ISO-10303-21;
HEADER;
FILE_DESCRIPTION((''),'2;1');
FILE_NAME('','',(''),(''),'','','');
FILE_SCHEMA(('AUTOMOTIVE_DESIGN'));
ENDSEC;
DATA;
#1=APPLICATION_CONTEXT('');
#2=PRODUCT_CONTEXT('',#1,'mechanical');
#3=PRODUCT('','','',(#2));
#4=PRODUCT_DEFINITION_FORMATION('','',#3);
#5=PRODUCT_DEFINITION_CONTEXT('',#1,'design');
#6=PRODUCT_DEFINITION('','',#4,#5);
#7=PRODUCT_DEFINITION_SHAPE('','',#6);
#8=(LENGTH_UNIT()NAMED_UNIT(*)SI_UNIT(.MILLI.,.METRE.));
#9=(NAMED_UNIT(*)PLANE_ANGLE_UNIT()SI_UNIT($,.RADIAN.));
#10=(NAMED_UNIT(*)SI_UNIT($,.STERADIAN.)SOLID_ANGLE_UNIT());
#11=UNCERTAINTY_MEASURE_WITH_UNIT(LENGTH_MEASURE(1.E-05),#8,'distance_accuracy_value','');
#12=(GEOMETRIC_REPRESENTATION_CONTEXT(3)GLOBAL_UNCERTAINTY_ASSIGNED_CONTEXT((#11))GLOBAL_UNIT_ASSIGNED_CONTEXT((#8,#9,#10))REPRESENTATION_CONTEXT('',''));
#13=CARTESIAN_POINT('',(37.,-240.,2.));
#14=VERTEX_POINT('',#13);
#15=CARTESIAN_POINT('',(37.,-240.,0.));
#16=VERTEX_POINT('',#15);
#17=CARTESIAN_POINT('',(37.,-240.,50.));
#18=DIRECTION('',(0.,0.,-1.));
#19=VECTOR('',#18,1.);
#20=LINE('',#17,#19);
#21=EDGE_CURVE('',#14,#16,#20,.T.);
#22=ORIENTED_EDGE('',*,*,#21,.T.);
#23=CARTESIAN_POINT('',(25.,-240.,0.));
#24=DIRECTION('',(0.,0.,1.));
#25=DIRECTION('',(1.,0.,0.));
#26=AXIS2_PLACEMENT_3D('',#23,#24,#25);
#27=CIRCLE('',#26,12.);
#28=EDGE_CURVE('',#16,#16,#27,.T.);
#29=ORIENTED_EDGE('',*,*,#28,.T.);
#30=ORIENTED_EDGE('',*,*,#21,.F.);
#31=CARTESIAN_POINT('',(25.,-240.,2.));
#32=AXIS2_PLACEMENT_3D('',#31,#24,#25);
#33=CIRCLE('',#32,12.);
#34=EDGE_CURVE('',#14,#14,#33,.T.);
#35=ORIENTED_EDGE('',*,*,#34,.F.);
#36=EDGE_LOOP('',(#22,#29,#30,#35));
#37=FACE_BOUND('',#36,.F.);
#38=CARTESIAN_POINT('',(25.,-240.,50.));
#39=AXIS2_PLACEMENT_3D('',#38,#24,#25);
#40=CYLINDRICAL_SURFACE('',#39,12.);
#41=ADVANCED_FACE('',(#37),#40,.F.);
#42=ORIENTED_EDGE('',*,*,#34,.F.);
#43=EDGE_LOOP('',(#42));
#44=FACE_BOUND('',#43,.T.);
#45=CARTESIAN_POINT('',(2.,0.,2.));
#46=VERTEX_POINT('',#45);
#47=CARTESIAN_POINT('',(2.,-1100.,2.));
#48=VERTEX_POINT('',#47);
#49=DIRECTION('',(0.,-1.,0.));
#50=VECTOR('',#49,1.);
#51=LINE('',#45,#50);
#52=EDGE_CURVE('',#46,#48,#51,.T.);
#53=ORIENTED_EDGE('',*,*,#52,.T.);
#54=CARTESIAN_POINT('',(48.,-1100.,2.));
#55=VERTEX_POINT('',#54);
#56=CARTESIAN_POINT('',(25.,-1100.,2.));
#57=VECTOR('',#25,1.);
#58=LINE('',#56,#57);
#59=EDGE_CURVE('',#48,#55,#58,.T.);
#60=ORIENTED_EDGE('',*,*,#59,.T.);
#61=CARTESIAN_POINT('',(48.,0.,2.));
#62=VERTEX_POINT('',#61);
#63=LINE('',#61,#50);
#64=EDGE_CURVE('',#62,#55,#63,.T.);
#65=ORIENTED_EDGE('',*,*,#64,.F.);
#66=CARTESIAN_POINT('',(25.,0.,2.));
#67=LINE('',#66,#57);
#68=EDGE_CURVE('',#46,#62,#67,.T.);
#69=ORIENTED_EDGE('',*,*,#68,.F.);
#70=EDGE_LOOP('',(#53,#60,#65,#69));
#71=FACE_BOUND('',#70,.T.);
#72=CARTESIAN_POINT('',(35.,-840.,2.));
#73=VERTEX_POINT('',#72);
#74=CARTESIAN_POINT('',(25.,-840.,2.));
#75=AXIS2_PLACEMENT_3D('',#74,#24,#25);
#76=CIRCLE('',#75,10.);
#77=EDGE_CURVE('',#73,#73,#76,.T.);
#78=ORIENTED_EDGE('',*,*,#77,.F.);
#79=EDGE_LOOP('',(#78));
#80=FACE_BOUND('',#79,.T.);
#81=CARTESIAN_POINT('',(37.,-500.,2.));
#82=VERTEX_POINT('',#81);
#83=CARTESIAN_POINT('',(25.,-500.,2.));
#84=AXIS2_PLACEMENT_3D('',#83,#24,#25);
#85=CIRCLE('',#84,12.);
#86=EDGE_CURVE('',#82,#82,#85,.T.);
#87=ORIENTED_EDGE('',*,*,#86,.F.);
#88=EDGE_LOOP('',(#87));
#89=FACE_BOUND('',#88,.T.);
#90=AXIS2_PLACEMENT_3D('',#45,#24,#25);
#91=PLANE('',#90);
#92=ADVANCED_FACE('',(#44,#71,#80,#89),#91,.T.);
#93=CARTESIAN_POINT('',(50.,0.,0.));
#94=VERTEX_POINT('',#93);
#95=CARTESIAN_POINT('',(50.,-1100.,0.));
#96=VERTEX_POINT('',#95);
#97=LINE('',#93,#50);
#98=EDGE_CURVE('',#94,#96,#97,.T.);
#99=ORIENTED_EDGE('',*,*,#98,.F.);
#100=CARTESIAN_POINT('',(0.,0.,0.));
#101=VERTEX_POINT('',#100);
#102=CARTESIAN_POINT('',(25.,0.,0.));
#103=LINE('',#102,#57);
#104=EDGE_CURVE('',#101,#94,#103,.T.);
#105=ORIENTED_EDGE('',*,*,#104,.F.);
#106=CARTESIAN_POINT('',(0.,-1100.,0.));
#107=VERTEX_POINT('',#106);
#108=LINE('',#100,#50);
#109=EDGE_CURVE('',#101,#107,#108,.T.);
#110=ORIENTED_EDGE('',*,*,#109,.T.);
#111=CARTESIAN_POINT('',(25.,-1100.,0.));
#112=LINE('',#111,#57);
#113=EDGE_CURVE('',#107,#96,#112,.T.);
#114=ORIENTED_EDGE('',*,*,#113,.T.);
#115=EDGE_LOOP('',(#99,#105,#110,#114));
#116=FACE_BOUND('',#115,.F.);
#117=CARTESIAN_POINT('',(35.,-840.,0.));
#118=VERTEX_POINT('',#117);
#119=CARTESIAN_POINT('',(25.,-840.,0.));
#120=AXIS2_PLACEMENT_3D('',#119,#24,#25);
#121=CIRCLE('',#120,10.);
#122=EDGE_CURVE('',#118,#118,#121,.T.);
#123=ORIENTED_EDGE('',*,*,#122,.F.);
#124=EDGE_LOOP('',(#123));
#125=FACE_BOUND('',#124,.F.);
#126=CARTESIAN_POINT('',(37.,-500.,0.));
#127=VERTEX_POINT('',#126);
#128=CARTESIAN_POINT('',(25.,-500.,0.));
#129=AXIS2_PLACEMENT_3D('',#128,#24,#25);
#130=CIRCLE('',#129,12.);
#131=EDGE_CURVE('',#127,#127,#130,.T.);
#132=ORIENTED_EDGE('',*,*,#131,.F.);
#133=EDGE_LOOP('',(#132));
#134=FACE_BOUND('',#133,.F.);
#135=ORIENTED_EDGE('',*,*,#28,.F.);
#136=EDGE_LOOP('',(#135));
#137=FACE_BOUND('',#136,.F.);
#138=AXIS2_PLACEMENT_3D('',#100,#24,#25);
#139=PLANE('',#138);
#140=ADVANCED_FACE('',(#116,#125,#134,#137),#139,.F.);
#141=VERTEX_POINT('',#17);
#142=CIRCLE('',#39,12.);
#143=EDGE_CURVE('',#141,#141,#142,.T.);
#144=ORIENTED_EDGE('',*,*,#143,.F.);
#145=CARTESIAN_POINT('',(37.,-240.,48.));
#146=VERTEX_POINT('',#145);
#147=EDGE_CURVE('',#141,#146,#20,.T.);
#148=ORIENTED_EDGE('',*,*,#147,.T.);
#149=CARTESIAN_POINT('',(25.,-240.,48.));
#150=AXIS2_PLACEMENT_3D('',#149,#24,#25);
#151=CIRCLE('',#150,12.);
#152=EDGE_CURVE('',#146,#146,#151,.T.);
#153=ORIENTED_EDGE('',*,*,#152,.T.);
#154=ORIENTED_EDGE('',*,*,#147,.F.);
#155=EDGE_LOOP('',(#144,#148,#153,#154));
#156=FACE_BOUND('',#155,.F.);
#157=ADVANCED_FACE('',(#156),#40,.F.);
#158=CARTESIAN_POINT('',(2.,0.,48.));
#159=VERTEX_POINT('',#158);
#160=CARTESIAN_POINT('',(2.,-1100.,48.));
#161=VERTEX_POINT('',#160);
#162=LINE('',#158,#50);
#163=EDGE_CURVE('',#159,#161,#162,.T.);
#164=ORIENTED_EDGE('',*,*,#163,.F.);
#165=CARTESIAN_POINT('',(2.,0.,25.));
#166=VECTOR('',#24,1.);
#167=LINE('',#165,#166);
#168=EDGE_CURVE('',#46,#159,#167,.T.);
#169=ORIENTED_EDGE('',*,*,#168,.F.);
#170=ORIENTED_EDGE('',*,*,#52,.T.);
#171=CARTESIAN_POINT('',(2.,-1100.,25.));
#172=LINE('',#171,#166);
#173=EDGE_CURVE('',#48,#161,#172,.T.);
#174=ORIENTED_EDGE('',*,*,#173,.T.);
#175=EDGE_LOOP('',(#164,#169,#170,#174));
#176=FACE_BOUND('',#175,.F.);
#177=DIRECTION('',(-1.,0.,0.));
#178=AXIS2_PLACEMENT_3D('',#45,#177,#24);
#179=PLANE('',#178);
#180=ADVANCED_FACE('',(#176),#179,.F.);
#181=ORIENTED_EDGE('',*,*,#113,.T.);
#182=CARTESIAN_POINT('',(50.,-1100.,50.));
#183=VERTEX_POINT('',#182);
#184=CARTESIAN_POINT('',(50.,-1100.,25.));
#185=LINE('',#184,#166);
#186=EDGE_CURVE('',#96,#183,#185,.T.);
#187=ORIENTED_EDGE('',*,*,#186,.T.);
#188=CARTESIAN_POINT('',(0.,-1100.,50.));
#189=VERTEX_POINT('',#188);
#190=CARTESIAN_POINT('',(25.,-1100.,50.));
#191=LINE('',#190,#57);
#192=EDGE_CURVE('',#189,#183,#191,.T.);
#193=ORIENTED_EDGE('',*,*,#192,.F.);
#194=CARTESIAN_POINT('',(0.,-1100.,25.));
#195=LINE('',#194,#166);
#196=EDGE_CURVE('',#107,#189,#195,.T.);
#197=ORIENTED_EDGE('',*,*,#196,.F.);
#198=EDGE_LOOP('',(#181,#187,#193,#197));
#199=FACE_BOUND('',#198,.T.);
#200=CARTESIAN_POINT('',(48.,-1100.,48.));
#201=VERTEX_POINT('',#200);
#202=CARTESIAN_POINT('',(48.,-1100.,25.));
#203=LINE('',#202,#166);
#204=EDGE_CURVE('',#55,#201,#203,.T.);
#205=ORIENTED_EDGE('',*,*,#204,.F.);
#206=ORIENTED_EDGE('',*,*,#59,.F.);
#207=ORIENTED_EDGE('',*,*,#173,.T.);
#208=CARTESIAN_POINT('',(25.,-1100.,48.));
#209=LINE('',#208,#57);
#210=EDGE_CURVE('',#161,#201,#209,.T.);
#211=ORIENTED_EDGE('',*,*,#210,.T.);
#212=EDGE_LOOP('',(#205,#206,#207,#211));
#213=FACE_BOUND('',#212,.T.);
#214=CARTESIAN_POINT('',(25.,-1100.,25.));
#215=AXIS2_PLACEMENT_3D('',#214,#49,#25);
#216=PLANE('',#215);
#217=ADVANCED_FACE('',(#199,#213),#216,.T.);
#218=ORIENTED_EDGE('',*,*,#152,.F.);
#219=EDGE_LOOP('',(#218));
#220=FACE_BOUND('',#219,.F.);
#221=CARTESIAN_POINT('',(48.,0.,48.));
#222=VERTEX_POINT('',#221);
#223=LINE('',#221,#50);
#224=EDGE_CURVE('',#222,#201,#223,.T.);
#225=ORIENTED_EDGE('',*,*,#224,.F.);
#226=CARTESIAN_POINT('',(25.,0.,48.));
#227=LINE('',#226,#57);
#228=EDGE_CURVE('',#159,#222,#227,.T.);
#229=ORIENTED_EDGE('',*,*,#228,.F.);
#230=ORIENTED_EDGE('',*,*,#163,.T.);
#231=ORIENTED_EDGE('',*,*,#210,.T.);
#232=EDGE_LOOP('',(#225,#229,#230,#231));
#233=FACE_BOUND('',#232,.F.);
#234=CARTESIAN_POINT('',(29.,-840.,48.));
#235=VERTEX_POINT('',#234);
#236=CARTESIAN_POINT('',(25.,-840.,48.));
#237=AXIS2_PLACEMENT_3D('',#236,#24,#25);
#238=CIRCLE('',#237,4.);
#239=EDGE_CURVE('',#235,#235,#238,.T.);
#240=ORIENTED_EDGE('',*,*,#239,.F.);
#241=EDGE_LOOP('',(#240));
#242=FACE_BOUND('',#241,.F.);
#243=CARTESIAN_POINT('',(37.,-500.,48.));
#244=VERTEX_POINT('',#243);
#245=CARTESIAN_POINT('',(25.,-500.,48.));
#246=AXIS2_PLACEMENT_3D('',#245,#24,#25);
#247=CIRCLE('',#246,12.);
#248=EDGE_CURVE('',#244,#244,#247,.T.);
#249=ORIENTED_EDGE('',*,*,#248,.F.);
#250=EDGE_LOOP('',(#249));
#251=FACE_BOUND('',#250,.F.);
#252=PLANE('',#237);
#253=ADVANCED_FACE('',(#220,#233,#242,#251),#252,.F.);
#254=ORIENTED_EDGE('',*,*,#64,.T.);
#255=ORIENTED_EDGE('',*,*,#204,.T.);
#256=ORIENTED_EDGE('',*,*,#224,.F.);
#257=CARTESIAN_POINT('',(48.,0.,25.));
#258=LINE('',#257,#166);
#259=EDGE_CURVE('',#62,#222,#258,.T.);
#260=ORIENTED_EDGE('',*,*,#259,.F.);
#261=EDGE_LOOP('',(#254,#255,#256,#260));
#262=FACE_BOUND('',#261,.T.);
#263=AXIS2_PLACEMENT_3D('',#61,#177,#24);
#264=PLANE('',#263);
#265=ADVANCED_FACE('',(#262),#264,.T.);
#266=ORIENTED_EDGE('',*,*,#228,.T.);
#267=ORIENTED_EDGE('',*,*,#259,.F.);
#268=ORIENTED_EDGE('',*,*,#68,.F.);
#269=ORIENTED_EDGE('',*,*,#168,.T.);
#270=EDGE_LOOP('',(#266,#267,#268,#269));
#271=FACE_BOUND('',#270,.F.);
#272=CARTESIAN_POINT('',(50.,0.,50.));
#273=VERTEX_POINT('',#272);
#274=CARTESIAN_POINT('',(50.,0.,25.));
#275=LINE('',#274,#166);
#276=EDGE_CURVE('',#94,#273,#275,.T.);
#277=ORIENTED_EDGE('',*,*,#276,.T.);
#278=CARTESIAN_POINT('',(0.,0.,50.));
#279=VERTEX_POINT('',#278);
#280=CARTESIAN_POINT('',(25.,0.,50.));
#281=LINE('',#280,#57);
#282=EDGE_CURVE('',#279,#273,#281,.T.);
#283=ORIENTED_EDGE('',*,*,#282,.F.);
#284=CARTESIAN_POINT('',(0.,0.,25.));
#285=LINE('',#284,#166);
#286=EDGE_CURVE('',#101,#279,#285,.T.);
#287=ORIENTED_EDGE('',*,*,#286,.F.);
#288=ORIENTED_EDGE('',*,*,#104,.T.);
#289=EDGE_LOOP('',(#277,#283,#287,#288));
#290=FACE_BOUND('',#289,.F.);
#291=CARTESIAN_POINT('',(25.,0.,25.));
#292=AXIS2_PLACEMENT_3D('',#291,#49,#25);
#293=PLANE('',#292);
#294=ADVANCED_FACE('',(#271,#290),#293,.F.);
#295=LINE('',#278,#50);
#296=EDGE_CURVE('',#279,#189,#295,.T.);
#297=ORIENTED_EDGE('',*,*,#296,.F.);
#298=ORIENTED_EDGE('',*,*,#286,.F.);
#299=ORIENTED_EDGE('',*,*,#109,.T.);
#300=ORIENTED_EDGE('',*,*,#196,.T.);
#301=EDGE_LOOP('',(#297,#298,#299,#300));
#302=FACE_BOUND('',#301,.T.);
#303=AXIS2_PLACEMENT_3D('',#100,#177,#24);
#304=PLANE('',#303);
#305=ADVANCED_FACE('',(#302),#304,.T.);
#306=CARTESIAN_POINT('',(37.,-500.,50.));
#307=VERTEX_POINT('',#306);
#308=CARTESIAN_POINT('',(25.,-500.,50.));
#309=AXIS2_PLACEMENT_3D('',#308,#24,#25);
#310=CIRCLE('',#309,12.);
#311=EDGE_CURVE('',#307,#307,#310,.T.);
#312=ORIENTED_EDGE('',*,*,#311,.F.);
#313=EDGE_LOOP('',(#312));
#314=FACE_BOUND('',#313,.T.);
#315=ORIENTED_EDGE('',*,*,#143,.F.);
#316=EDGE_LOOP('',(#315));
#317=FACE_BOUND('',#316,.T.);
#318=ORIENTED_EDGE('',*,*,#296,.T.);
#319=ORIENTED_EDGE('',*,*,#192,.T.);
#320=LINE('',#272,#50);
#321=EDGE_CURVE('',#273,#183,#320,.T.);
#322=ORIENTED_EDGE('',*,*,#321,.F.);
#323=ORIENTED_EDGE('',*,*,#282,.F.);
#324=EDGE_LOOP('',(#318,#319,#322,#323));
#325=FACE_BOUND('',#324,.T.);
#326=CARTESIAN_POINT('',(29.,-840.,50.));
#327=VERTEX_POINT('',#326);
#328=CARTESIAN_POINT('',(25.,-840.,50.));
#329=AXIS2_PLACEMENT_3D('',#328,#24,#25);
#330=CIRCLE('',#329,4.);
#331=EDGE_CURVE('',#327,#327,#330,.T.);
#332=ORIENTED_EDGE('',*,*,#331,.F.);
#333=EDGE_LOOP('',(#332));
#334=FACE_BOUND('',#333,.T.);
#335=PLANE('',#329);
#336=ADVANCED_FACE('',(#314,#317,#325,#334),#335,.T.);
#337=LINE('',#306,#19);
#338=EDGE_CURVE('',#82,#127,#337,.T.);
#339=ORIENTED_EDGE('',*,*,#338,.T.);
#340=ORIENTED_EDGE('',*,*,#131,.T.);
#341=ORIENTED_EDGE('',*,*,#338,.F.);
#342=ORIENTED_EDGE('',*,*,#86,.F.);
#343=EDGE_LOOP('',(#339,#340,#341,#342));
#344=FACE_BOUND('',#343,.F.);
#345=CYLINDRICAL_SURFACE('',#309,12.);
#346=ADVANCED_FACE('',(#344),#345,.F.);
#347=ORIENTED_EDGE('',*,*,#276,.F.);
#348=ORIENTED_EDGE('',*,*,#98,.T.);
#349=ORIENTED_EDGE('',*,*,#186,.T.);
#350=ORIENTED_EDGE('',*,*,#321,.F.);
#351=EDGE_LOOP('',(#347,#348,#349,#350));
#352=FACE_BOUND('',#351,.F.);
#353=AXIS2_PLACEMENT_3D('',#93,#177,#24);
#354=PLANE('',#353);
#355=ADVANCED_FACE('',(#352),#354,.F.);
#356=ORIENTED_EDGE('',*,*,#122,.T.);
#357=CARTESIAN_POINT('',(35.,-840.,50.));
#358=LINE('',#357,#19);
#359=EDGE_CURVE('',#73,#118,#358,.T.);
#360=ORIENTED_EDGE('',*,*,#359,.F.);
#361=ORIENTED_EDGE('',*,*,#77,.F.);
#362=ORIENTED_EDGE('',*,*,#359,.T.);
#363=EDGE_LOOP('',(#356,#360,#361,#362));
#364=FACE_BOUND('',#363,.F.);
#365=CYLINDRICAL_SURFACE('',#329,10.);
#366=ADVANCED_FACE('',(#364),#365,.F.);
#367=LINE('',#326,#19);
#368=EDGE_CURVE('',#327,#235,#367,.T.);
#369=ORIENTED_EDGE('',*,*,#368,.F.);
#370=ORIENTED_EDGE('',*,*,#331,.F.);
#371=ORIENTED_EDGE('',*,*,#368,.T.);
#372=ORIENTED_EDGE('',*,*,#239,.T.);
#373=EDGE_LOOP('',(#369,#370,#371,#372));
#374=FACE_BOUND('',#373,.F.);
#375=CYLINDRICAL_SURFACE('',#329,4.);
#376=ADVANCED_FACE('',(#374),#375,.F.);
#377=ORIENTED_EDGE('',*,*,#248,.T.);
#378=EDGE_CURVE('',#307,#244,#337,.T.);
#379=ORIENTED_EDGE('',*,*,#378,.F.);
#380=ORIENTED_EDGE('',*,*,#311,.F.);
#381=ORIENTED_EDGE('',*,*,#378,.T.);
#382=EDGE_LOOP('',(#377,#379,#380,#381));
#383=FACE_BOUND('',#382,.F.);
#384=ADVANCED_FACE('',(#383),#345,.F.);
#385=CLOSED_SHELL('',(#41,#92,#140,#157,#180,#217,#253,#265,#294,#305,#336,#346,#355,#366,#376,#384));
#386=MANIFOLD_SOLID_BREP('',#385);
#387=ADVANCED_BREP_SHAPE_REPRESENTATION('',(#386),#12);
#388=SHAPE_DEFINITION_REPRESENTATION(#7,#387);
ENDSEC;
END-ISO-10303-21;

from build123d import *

# Parameters (mm, degrees)
F0_W     = 50
F0_H     = 50
F0_W_2   = 46
F0_H_2   = 46
F1_DEPTH = 1100
F2_R     = 12
F3_DEPTH = 50.001
F4_R     = 10
F5_DEPTH = 50.001
F6_R     = 10
F6_R_2   = 4
F7_DEPTH = 2


with BuildPart() as f1:
    # F0 (on Front) → F1 (new body)
    with BuildSketch(Plane.XZ):
        with Locations((25, 25)):
            Rectangle(F0_W, F0_H)
        with Locations((25, 25)):
            Rectangle(F0_W_2, F0_H_2, mode=Mode.SUBTRACT)
    extrude(amount=F1_DEPTH)

    # F2 (on face) → F3 (cut, through all)
    with BuildSketch(Plane.XY.offset(50)):
        with Locations((25, -500)):
            Circle(F2_R)
        with Locations((25, -240)):
            Circle(F2_R)
    extrude(amount=-F3_DEPTH, mode=Mode.SUBTRACT)

    # F4 (on face) → F5 (cut, through all)
    with BuildSketch(Plane.XY.offset(50)):
        with Locations((25, -840)):
            Circle(F4_R)
    extrude(amount=-F5_DEPTH, mode=Mode.SUBTRACT)

    # F6 (on face) → F7 (join)
    with BuildSketch(Plane.XY.offset(50)):
        with Locations((25, -840)):
            Circle(F6_R)
        with Locations((25, -840)):
            Circle(F6_R_2, mode=Mode.SUBTRACT)
    extrude(amount=-F7_DEPTH)


solid = f1.part
